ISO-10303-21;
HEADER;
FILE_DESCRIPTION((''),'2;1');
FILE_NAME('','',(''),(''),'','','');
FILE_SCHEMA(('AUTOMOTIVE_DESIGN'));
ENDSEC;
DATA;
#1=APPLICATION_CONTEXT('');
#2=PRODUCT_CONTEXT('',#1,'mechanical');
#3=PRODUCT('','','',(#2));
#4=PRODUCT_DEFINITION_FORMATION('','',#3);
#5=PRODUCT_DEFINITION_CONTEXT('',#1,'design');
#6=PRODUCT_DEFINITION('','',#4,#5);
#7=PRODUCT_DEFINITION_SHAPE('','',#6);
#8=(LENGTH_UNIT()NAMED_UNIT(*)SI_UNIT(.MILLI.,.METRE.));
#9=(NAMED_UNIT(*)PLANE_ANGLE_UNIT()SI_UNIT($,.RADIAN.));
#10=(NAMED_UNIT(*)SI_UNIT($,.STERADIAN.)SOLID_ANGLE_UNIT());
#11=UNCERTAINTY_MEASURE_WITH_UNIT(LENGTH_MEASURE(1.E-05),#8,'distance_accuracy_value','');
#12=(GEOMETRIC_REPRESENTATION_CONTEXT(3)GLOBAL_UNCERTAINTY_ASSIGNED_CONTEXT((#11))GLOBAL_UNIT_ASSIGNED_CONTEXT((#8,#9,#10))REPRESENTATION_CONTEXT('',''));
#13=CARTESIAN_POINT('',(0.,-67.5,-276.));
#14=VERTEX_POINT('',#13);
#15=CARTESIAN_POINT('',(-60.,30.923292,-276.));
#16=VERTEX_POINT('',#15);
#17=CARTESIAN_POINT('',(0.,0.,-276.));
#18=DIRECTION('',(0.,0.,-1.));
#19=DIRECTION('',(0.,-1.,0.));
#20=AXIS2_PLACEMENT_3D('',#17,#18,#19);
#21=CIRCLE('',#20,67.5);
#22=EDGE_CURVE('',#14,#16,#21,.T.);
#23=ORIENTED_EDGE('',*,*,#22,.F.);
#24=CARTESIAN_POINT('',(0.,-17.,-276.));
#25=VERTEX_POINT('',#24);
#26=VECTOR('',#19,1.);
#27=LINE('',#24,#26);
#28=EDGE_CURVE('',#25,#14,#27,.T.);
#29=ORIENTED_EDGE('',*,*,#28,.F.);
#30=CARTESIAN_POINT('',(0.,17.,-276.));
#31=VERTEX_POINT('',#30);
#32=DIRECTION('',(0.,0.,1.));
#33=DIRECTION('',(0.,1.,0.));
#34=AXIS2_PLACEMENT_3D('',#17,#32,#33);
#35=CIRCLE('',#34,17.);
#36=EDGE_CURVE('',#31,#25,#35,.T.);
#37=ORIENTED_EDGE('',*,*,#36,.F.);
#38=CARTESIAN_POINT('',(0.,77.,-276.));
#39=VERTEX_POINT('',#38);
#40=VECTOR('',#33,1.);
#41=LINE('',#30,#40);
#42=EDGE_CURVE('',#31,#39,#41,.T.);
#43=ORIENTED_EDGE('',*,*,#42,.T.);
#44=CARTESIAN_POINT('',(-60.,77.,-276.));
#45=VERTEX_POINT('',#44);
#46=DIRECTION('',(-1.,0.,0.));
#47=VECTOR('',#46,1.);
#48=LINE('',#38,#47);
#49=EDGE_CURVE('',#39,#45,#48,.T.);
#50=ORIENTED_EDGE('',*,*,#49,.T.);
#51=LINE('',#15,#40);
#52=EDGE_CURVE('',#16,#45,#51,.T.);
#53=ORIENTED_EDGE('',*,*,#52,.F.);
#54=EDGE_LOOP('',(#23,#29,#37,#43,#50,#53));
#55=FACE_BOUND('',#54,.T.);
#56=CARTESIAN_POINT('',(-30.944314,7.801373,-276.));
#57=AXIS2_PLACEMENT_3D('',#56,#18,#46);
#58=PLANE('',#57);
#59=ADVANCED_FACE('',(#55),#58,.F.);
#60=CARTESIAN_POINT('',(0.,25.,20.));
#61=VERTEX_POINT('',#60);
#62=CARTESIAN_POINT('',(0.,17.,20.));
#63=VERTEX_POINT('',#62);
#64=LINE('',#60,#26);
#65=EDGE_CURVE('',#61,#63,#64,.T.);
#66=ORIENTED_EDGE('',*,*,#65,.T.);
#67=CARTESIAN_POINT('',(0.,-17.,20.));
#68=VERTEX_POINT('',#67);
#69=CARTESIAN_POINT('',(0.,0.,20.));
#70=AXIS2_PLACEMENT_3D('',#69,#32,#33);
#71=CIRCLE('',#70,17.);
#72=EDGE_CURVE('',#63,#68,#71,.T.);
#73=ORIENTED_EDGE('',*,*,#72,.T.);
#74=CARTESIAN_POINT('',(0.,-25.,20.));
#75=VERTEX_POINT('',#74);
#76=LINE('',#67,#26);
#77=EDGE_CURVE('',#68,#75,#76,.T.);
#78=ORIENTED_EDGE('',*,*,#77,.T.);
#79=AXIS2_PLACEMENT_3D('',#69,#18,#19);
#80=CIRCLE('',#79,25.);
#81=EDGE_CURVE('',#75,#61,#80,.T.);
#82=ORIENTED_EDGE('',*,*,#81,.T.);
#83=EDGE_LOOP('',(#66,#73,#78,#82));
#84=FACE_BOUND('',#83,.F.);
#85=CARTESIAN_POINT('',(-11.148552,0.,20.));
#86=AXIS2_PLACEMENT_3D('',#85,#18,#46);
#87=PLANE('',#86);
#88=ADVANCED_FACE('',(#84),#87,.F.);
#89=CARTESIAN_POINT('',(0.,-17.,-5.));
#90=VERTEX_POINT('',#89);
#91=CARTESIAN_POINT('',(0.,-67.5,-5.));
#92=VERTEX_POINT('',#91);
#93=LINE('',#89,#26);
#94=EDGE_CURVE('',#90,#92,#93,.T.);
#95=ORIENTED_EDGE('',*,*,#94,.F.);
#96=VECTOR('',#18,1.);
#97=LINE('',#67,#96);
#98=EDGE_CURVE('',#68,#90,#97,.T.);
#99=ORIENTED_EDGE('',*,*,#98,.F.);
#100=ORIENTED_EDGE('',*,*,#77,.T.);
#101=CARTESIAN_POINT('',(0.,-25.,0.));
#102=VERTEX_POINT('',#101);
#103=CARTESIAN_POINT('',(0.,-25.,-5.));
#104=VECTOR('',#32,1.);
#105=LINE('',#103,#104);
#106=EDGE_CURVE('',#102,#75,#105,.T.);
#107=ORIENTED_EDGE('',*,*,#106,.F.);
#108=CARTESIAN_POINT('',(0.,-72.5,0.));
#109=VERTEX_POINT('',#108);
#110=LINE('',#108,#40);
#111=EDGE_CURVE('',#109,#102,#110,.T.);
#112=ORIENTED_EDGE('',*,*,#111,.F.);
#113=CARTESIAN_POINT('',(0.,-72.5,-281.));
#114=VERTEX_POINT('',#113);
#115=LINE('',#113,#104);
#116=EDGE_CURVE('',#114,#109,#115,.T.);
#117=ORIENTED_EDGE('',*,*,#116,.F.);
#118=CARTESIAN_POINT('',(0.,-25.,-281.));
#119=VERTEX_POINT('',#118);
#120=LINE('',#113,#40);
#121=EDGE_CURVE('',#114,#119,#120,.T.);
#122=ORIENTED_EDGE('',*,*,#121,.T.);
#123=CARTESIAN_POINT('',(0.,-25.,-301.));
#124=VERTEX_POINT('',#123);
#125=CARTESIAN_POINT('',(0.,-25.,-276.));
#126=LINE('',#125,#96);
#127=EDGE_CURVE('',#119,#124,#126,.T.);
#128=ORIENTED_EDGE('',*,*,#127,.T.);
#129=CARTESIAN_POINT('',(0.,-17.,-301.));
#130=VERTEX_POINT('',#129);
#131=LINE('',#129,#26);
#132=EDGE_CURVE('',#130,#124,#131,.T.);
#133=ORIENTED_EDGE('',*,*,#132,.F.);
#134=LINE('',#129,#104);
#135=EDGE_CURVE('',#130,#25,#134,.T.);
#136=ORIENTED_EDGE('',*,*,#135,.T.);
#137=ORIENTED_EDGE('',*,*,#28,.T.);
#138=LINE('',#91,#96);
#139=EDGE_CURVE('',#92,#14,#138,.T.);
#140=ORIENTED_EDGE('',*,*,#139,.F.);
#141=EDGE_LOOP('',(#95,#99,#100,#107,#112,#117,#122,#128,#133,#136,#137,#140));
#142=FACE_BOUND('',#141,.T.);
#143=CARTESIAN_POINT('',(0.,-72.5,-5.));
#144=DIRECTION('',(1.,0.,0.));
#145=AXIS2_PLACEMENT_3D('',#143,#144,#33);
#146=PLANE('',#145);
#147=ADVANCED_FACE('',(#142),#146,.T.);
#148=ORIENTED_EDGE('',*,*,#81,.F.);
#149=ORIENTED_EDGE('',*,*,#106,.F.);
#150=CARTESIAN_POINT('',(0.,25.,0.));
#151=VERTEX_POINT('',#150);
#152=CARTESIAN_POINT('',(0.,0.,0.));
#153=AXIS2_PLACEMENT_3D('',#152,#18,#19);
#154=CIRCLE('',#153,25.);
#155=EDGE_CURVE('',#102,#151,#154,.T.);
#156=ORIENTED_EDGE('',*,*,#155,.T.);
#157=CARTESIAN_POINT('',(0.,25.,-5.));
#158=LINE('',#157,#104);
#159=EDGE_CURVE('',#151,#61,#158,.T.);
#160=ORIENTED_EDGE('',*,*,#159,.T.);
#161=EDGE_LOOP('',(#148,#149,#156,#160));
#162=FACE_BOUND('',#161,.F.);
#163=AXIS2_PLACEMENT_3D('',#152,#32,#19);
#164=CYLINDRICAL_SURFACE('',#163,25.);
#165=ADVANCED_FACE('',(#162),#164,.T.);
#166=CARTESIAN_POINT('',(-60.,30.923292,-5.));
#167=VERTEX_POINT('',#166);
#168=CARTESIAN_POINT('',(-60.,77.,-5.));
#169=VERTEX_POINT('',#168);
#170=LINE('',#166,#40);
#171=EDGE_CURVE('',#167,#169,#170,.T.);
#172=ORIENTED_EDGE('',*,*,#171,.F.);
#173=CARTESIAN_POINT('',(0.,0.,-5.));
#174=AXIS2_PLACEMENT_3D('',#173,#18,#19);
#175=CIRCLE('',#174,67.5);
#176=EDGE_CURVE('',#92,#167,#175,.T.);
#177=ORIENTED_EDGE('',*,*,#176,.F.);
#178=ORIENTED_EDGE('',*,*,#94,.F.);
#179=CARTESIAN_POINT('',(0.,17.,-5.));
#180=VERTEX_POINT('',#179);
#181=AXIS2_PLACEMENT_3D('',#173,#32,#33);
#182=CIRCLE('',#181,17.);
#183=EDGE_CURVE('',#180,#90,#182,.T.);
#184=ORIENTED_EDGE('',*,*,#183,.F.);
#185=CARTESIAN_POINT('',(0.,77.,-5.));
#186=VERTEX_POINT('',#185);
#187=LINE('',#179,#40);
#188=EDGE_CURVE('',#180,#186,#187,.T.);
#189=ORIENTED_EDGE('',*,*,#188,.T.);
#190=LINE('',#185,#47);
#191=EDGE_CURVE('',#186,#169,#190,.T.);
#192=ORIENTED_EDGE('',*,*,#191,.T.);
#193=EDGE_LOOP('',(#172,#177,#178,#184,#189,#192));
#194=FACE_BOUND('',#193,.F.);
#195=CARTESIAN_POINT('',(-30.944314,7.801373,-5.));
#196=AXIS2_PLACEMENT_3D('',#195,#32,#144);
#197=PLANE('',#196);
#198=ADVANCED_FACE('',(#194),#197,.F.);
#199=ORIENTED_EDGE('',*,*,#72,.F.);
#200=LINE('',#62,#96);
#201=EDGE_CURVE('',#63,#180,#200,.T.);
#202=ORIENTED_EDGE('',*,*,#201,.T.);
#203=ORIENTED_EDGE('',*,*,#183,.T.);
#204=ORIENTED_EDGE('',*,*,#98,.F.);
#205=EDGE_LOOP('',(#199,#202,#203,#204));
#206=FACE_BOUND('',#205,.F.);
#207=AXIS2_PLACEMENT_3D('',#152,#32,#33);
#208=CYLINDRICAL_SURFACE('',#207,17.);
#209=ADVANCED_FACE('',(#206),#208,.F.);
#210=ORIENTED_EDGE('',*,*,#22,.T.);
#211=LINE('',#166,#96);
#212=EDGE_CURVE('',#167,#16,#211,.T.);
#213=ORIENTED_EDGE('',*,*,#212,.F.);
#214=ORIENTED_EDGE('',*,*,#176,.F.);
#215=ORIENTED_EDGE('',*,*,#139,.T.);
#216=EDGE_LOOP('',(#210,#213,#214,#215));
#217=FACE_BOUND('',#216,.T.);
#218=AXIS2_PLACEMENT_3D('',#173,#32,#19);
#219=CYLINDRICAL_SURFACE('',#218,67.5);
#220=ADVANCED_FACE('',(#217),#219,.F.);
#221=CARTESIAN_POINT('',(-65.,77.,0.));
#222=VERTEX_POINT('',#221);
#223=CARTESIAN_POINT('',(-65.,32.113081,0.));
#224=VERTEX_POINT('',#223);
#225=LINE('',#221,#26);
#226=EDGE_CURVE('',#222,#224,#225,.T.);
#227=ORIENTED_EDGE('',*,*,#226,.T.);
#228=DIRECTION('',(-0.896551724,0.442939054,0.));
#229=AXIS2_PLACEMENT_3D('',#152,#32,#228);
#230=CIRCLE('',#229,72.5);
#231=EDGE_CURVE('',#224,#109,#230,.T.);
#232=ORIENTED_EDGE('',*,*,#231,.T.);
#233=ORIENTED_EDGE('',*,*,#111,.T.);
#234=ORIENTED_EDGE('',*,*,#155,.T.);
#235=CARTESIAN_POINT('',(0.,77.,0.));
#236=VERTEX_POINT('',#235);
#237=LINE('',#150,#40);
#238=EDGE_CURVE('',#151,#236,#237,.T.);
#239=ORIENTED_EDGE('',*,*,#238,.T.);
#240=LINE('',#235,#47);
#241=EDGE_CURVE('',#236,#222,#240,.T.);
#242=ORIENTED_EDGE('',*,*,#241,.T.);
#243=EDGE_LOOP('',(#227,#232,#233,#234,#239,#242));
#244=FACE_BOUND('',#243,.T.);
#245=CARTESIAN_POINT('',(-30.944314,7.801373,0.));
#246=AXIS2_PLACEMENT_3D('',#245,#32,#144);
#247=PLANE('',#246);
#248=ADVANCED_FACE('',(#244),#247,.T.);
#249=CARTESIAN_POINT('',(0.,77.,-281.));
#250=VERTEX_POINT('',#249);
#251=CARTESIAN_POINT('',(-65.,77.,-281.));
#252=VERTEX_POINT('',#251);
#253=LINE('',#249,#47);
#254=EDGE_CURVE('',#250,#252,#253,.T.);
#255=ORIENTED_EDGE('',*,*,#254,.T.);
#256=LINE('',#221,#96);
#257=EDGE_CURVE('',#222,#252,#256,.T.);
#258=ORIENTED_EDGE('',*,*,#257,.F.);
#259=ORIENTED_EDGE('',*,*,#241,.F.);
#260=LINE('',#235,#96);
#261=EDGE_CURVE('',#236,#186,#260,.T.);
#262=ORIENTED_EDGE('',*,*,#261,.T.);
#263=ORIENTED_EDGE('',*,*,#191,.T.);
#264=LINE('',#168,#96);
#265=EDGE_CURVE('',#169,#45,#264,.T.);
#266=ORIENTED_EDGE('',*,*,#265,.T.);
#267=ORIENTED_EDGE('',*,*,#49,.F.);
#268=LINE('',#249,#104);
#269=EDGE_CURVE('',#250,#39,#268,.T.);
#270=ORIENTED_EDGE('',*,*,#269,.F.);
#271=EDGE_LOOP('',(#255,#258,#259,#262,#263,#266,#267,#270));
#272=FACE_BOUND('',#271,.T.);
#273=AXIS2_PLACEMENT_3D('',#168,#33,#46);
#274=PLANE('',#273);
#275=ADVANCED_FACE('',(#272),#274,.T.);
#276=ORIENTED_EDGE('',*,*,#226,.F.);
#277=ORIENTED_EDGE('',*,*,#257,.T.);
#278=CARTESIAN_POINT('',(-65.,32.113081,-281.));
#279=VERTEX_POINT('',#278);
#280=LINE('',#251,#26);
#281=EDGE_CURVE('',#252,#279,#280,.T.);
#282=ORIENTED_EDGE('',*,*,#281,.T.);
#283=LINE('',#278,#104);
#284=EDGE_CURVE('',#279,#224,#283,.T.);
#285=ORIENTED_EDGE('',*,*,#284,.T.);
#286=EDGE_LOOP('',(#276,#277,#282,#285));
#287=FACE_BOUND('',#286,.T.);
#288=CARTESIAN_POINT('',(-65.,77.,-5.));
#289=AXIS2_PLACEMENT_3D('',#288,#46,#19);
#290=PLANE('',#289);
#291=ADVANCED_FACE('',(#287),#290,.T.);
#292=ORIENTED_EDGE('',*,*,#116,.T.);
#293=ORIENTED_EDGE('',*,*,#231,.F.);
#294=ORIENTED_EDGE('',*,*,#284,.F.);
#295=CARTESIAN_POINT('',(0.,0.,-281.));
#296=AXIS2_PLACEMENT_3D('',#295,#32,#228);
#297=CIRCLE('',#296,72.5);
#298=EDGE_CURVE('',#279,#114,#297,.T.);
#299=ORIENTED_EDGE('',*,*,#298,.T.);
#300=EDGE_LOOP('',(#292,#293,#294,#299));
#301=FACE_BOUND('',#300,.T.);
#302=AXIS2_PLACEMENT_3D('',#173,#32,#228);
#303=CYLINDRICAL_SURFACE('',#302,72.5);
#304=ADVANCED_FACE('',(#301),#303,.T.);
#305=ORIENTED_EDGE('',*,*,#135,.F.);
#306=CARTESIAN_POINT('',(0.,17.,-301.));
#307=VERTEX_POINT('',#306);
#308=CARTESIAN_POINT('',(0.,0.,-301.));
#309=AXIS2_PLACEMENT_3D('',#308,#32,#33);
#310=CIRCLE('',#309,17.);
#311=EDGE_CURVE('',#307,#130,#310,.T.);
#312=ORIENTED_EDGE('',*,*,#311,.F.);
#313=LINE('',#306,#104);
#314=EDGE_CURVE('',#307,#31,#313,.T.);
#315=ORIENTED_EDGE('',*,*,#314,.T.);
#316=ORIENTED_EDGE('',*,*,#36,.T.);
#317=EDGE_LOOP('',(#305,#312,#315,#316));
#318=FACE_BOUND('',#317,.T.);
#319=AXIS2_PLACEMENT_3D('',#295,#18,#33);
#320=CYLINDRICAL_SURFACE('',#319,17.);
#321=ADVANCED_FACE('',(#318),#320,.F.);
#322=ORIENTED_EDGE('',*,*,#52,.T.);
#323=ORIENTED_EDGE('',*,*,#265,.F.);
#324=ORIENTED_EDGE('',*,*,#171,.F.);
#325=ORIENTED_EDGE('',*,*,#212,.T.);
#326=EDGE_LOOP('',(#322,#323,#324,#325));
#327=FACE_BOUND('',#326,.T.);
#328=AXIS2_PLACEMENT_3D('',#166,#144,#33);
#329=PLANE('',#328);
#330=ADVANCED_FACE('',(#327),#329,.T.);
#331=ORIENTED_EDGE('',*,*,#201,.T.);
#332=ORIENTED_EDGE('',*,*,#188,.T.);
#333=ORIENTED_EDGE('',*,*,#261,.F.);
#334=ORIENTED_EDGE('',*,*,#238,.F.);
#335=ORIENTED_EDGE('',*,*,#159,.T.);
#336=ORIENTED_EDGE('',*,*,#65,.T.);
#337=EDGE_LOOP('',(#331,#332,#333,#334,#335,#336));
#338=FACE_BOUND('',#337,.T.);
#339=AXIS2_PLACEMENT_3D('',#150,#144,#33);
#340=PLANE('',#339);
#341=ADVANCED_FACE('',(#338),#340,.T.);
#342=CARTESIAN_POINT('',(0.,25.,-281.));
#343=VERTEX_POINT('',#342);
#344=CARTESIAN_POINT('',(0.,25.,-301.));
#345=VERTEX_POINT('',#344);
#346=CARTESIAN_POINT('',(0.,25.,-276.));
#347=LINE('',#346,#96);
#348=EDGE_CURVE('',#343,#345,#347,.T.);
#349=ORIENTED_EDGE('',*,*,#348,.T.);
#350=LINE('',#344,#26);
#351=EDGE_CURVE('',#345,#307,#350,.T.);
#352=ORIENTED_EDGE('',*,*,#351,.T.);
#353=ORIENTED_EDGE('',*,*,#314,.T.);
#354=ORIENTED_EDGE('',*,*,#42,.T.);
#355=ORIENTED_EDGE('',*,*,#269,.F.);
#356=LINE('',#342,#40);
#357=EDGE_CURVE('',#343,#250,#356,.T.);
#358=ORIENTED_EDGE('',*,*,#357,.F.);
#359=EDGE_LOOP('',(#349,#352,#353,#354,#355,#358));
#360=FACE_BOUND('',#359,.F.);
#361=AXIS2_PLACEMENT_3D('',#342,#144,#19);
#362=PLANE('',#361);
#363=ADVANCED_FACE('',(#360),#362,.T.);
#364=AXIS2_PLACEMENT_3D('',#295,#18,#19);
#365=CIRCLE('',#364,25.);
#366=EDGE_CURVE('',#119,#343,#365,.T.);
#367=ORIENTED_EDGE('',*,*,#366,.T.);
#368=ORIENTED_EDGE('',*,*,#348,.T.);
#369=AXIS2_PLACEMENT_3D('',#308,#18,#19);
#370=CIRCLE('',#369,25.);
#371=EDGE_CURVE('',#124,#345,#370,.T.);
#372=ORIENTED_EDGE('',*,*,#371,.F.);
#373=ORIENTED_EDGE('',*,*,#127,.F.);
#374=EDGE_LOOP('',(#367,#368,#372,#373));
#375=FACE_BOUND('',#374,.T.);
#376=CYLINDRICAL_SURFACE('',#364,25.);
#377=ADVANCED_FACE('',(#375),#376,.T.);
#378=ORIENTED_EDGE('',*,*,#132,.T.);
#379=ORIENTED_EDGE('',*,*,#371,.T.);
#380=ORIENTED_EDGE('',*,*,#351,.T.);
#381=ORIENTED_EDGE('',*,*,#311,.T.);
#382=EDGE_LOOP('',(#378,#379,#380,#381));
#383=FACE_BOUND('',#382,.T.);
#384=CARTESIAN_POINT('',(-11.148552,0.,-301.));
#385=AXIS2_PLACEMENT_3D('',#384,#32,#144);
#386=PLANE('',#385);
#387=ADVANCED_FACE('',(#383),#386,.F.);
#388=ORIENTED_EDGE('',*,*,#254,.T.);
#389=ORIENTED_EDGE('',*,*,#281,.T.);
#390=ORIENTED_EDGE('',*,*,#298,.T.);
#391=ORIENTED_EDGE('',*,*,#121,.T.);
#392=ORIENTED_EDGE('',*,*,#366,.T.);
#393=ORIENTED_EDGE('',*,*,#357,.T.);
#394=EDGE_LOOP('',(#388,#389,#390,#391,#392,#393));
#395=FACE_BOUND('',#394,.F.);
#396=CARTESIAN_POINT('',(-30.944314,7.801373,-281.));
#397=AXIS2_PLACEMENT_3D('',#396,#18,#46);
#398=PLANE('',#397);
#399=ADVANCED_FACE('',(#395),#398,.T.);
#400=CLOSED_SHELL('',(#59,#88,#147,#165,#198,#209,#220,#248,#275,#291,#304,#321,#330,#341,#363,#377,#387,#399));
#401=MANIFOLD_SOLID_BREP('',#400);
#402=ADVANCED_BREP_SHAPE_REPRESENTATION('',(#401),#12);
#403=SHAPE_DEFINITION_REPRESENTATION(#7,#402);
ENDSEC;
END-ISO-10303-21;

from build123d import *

# Parameters (mm, degrees)
BOSS_EXTRUDE1_DEPTH      = 20
BOSS_EXTRUDE1_DEPTH_BACK = 5
BOSS_EXTRUDE2_DEPTH      = 5
BOSS_EXTRUDE3_DEPTH      = 271


with BuildPart() as part:
    # Sketch2 → Boss-Extrude1 (new body, two sides)
    with BuildSketch(Plane.XY) as boss_extrude1_sk:
        with BuildLine():
            Line((0, 25), (0, 17))
            ThreePointArc((0, 17), (-17, 0), (0, -17))
            Line((0, -17), (0, -25))
            ThreePointArc((0, -25), (-25, 0), (0, 25))
        make_face()
    extrude(amount=BOSS_EXTRUDE1_DEPTH)
    extrude(boss_extrude1_sk.sketch, amount=-BOSS_EXTRUDE1_DEPTH_BACK)

    # Sketch3 → Boss-Extrude2 (add)
    with BuildSketch(Plane.XY):
        with BuildLine():
            Line((0, 25), (0, 77))
            Line((0, 77), (-65, 77))
            Line((-65, 77), (-65, 32.113081447))
            ThreePointArc((-65, 32.113081447), (-61.581037686, -38.262590053), (0, -72.5))
            Line((0, -72.5), (0, -25))
            ThreePointArc((0, -25), (-25, 0), (0, 25))
        make_face()
    extrude(amount=-BOSS_EXTRUDE2_DEPTH)


with BuildPart() as body_2:
    # Mirror3: mirrored copy
    add(part.part.mirror(Plane.XY.offset(-140.5)))


with BuildPart() as part_1:
    add(part.part)

    add(body_2.part)  # Boss-Extrude3 merges body 2
    # Sketch6 → Boss-Extrude3 (add)
    with BuildSketch(Plane(origin=(0, 0, -5), x_dir=(-1, 0, 0), z_dir=(0, 0, -1))):
        with BuildLine():
            Line((65, 77), (65, 32.113081447))
            ThreePointArc((65, 32.113081447), (61.581037686, -38.262590053), (0, -72.5))
            Line((0, -72.5), (0, -67.5))
            ThreePointArc((0, -67.5), (57.634938288, -35.134938288), (60, 30.923292192))
            Line((60, 30.923292192), (60, 77))
            Line((60, 77), (65, 77))
        make_face()
    extrude(amount=BOSS_EXTRUDE3_DEPTH)


solid = part_1.part
